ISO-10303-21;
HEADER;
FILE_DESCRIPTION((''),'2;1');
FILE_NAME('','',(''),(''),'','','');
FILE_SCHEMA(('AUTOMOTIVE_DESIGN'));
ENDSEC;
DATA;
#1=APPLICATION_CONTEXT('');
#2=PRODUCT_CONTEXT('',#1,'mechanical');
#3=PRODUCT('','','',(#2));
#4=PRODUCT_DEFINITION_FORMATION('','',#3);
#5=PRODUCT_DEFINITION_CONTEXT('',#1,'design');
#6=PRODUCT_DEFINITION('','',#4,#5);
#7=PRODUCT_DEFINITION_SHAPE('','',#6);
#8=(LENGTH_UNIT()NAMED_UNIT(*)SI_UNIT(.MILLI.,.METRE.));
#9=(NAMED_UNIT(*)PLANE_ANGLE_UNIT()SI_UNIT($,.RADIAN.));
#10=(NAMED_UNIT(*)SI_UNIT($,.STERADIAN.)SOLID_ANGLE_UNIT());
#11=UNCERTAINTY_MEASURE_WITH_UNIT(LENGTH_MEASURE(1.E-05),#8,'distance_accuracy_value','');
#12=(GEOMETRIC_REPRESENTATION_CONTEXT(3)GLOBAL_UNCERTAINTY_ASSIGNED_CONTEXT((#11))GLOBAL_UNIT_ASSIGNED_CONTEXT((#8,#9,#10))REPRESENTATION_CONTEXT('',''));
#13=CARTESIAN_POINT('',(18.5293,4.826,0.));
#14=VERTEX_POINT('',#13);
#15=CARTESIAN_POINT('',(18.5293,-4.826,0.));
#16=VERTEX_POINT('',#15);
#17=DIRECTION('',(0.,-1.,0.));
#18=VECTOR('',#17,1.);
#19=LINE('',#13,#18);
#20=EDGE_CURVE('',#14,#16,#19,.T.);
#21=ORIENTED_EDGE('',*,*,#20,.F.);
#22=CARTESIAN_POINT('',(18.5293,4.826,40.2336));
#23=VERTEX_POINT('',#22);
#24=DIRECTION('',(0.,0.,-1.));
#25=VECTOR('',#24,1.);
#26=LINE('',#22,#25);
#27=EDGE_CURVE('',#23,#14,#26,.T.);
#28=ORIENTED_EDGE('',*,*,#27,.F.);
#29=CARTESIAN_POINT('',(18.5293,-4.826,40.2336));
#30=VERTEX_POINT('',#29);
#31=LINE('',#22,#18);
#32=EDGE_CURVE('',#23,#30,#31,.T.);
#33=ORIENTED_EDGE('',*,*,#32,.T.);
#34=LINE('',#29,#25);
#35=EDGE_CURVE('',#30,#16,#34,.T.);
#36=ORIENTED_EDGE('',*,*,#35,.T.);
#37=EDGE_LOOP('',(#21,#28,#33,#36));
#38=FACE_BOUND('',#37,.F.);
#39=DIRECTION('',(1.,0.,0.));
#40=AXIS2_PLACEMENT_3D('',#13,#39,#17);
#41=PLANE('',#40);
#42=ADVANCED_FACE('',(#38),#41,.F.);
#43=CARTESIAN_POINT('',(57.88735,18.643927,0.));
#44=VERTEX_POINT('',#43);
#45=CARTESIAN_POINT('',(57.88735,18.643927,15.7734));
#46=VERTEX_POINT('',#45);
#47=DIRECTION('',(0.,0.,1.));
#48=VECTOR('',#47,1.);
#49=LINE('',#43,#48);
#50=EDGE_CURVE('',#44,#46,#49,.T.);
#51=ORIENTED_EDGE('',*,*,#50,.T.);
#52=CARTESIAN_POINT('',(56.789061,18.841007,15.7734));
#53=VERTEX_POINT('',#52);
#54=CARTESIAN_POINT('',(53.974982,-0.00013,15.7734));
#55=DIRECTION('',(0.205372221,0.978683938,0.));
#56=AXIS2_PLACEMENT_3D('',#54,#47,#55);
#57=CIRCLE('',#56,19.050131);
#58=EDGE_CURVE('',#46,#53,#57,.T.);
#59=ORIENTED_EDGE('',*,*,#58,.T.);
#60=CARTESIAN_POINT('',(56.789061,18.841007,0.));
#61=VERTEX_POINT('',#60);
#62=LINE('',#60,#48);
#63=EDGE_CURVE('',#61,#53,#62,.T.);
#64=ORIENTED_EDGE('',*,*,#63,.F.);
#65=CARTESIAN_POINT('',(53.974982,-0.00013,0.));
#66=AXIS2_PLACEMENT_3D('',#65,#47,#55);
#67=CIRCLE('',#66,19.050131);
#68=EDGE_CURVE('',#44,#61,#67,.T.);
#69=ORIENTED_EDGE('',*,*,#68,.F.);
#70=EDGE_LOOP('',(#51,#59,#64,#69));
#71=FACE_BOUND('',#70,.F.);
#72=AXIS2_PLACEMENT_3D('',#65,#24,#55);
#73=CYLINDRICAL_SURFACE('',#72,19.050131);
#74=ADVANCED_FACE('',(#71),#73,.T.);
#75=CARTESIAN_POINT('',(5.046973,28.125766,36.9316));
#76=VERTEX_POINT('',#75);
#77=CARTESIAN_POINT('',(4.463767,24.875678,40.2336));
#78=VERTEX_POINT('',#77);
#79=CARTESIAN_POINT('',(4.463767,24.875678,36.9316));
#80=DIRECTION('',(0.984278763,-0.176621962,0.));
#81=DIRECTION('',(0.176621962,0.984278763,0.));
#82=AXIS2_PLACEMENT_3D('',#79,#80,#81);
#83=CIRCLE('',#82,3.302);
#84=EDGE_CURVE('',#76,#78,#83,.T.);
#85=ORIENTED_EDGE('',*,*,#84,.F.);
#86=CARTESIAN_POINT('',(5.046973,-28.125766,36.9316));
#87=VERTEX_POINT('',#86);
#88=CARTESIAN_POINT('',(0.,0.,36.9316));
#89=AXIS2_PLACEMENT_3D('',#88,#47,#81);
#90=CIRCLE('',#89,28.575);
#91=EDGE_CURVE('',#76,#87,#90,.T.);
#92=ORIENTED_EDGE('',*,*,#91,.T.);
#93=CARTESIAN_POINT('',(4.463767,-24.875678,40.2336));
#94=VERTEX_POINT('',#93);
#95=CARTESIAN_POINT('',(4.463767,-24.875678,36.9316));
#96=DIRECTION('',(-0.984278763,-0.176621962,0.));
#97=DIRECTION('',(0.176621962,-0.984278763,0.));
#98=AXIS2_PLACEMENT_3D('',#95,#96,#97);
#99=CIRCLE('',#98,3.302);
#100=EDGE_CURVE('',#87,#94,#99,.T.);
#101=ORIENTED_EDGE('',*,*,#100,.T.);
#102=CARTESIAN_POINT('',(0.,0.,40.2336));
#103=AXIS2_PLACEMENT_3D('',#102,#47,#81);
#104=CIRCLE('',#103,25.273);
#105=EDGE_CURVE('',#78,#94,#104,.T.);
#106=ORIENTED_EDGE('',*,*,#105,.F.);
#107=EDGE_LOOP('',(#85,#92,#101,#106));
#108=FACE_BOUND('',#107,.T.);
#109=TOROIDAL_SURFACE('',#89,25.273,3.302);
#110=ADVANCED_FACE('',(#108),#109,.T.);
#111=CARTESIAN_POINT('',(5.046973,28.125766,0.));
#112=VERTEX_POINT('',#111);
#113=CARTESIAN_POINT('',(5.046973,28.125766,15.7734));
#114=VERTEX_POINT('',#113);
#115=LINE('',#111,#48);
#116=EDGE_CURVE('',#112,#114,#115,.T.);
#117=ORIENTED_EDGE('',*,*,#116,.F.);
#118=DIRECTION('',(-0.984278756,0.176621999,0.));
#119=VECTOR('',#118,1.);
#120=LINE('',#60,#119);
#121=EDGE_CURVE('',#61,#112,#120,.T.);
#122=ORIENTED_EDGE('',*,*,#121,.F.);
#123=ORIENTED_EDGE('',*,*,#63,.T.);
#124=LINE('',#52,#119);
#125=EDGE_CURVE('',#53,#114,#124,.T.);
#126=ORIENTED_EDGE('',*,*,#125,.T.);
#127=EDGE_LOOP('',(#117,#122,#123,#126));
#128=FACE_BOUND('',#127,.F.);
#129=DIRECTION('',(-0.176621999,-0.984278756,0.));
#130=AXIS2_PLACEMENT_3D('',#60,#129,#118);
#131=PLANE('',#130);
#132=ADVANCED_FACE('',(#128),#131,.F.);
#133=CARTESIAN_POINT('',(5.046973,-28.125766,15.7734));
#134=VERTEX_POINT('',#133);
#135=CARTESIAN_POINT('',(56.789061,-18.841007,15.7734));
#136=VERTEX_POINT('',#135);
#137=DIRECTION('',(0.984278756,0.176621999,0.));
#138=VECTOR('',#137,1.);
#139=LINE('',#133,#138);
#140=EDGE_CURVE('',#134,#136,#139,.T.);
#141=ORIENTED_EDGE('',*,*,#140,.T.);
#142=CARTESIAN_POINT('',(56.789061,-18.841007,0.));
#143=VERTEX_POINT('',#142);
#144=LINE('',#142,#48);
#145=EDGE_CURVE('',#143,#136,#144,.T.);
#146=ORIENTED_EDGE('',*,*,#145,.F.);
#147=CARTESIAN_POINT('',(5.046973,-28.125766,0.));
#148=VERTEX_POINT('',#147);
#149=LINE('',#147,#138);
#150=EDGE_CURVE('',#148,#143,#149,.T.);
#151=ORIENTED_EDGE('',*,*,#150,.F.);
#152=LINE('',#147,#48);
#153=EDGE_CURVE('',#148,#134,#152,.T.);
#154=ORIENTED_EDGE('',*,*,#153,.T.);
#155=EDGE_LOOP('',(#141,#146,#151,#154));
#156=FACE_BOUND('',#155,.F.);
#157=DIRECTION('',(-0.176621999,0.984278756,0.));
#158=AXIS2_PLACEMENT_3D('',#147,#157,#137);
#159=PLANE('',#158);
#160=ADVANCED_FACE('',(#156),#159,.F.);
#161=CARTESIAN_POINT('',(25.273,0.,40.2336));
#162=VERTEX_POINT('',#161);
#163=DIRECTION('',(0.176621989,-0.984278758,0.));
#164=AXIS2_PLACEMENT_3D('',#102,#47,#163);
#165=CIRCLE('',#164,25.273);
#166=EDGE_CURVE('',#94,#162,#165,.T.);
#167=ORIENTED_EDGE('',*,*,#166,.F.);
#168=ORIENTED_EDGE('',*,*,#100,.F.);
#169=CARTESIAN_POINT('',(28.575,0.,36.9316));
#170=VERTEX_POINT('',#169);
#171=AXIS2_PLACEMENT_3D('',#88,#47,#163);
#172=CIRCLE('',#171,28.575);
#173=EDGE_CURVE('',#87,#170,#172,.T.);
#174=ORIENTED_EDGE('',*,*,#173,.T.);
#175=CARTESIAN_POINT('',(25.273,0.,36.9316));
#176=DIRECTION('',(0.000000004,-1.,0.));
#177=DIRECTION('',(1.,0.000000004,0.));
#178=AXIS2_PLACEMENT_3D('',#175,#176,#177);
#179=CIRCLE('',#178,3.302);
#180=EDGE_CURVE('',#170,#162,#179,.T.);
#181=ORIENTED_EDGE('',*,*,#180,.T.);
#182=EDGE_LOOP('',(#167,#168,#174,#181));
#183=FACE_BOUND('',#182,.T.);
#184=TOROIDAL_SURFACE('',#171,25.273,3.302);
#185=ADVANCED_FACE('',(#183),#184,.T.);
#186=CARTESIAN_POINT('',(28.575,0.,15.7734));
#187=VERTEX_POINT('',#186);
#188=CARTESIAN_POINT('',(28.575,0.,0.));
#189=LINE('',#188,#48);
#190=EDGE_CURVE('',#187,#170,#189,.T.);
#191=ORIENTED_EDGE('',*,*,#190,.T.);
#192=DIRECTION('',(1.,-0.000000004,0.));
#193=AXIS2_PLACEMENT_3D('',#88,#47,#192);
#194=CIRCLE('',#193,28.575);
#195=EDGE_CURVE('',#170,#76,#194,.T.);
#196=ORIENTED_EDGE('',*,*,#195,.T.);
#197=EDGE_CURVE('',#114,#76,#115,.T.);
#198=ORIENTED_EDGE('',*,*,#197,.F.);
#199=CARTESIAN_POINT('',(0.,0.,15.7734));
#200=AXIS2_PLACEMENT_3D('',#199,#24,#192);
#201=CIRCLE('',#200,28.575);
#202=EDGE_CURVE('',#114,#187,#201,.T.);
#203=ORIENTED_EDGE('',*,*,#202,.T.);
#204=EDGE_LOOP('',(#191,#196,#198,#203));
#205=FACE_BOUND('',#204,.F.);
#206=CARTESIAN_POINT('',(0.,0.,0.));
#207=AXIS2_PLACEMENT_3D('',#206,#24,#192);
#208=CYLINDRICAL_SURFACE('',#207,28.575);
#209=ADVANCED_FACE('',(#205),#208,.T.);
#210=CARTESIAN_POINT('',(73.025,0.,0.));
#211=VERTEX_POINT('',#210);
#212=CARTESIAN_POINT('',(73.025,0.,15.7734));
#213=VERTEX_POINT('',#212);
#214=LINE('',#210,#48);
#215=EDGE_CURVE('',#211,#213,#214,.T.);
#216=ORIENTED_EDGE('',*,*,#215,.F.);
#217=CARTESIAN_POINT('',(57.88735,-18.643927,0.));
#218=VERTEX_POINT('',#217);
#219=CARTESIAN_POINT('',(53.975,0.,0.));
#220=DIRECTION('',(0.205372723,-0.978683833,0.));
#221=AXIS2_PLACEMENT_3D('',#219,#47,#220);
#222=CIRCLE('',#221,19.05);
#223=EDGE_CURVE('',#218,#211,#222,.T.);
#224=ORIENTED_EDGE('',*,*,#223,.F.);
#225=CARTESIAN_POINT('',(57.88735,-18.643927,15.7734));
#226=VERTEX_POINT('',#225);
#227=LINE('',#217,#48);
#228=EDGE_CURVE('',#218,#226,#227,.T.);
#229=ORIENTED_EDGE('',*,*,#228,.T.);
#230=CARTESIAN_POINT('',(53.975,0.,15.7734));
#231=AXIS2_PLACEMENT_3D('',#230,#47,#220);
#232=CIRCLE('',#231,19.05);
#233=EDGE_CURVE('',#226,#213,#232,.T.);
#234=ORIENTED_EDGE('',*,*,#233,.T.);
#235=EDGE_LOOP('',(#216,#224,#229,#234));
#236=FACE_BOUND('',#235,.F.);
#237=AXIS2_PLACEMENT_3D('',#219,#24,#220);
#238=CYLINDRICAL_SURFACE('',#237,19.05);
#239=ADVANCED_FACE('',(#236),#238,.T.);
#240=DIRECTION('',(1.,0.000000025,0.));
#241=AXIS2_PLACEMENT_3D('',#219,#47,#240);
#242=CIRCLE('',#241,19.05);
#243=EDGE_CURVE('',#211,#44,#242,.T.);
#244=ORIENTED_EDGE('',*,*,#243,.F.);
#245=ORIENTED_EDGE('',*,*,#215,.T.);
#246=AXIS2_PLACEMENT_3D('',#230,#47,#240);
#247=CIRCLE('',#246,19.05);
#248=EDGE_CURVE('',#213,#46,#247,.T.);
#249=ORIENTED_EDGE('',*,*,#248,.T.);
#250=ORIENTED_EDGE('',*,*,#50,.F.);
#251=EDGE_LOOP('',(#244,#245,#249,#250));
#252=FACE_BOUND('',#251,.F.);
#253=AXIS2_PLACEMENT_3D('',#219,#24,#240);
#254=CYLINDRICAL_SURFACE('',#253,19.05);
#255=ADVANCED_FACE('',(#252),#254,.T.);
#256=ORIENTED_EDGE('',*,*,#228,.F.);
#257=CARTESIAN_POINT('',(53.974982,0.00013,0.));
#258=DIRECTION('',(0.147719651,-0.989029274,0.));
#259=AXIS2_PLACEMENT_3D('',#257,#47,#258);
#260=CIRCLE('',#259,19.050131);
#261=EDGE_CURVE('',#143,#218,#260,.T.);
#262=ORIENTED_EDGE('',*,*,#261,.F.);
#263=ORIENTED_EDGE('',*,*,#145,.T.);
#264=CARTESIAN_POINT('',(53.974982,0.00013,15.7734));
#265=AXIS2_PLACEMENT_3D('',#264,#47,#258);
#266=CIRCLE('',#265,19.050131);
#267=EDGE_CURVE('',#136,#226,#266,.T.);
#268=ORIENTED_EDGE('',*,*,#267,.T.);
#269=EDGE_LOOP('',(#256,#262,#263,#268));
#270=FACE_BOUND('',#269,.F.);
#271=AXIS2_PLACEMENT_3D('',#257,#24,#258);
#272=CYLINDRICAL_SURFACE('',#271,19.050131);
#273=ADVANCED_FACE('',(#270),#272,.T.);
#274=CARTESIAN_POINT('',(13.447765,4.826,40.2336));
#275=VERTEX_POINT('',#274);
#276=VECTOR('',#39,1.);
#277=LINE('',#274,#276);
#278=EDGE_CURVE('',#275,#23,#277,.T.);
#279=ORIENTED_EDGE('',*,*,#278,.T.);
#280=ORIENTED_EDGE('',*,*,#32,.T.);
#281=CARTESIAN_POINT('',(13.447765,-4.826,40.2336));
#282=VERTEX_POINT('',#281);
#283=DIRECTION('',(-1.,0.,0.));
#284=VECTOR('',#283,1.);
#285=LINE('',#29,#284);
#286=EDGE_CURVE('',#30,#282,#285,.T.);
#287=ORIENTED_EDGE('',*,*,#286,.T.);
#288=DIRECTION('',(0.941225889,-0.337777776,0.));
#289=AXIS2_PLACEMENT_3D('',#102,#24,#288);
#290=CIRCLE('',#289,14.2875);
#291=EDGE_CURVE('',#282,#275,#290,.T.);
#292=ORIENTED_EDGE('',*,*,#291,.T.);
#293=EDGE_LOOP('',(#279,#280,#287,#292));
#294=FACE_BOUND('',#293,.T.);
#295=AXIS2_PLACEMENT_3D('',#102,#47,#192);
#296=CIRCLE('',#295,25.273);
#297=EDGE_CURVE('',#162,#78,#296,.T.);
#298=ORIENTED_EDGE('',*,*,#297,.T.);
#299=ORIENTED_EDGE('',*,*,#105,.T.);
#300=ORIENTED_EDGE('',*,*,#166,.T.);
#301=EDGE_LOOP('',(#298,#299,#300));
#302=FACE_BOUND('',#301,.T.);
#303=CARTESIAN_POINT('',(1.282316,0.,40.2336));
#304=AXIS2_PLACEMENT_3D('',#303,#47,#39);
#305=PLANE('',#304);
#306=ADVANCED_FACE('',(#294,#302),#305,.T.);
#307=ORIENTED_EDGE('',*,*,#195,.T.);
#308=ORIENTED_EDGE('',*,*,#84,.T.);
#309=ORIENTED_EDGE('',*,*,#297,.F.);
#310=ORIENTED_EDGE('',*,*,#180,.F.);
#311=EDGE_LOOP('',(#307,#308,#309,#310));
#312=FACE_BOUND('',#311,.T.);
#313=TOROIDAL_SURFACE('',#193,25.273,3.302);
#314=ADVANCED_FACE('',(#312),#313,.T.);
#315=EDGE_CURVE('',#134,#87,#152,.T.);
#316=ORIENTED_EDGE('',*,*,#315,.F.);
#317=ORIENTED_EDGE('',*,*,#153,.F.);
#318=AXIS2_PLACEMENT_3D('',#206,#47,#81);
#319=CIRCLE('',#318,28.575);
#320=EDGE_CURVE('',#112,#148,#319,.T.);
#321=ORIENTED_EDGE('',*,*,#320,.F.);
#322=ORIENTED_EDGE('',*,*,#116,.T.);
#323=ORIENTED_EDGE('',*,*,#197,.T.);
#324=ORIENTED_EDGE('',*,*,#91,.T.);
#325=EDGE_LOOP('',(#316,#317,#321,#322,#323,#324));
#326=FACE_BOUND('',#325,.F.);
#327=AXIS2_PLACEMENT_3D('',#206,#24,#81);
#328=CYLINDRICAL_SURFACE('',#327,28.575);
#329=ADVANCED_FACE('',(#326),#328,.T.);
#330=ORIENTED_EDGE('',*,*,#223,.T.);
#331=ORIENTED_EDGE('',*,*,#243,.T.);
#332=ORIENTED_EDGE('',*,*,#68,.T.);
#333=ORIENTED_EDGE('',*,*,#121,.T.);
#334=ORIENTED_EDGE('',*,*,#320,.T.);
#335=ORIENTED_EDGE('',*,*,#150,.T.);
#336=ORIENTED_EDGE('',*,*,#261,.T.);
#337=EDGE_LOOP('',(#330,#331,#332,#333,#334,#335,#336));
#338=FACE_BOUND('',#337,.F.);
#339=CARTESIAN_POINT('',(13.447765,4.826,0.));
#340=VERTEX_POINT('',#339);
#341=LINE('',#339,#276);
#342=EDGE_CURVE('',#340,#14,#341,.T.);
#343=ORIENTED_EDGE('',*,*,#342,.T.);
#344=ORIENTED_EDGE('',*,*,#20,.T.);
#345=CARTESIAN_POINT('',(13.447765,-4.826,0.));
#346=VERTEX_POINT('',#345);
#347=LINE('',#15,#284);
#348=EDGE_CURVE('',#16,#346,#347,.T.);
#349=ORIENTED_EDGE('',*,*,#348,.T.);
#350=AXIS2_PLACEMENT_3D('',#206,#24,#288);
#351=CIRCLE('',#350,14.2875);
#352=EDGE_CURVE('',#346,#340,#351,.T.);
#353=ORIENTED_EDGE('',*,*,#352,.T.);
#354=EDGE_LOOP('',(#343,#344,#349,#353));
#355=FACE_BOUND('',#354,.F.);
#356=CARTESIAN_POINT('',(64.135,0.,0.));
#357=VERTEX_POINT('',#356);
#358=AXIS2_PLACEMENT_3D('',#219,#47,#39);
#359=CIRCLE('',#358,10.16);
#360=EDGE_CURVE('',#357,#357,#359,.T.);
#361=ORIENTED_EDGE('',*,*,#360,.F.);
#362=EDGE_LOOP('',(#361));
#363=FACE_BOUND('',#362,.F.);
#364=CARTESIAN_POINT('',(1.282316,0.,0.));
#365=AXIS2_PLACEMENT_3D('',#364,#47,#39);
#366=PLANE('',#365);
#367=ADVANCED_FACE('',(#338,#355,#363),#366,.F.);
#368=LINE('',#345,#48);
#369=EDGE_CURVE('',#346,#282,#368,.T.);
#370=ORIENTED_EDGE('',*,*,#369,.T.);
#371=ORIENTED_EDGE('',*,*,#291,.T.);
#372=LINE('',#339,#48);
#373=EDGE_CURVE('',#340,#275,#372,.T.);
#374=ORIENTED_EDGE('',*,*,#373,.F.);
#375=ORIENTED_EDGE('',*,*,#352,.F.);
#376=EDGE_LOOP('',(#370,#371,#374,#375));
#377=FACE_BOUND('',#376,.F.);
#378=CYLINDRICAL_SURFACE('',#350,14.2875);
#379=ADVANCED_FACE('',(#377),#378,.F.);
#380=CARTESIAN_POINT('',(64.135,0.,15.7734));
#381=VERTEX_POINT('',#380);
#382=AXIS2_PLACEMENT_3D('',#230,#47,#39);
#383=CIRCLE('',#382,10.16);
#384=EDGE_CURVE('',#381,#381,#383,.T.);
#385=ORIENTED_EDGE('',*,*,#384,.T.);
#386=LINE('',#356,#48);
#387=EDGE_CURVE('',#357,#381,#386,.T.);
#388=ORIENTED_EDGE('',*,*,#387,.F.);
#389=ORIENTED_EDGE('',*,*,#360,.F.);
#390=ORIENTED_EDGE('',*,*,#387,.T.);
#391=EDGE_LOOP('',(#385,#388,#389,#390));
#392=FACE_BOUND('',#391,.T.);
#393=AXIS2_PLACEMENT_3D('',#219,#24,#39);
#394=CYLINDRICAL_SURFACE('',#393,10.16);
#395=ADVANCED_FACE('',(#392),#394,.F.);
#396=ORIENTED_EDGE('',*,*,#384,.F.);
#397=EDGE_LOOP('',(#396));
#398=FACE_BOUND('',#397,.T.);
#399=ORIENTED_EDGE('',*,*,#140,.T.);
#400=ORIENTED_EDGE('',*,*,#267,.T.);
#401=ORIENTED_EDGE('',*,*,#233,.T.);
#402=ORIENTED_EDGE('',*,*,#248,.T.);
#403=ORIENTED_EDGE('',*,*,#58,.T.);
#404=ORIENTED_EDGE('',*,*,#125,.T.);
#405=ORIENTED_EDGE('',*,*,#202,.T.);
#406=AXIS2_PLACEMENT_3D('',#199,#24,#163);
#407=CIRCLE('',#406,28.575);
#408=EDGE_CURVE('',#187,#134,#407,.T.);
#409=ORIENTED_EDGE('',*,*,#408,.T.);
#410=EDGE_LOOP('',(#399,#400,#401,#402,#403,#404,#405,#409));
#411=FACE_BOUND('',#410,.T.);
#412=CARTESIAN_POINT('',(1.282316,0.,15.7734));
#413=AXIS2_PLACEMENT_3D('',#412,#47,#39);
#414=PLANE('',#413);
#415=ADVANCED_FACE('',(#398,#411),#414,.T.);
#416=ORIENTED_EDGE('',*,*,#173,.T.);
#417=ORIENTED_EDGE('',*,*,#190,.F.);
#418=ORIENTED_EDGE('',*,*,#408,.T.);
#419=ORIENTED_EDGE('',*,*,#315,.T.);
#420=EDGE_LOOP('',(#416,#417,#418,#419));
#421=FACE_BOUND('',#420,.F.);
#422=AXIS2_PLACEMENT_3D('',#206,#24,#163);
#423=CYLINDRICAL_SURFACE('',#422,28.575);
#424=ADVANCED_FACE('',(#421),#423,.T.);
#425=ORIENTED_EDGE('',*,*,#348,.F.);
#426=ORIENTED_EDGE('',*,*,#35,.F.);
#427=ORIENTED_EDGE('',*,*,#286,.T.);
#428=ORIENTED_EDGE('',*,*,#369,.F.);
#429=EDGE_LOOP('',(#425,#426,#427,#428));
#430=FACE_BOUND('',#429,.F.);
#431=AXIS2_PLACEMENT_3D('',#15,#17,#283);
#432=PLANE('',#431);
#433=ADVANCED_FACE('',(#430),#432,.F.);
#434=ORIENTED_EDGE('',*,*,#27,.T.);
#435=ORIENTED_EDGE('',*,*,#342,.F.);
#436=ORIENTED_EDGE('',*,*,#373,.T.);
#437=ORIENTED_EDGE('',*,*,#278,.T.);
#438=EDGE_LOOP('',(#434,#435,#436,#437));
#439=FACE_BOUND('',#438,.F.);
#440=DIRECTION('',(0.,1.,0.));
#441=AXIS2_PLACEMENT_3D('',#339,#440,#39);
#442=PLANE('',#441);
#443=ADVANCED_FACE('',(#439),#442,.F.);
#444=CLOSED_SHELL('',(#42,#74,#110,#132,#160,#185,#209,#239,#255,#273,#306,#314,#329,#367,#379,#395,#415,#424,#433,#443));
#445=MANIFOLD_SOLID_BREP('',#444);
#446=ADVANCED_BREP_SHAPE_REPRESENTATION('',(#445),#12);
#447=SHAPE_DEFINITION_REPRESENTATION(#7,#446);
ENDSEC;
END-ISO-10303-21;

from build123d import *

# Parameters (mm, degrees)
F0_R     = 10.16
F1_DEPTH = 15.7734
F2_DEPTH = 40.2336
F3_R     = 3.302


with BuildPart() as f1:
    # F0 (on Top) → F1 (new body)
    with BuildSketch(Plane.XY):
        with BuildLine():
            ThreePointArc((5.046973, -28.125766), (21.917435, -18.334576), (28.575, 0))
            ThreePointArc((28.575, 0), (21.917435, 18.334576), (5.046973, 28.125766))
            ThreePointArc((5.046973, 28.125766), (-28.575, 0), (5.046973, -28.125766))
        make_face()
        with BuildLine():
            ThreePointArc((13.447765, -4.826), (-14.2875, 0), (13.447765, 4.826))
            Line((13.447765, 4.826), (18.5293, 4.826))
            Line((18.5293, 4.826), (18.5293, -4.826))
            Line((18.5293, -4.826), (13.447765, -4.826))
        make_face(mode=Mode.SUBTRACT)
        with BuildLine():
            ThreePointArc((5.046973, 28.125766), (21.917435, 18.334576), (28.575, 0))
            ThreePointArc((28.575, 0), (21.917435, -18.334576), (5.046973, -28.125766))
            Line((5.046973, -28.125766), (56.789061, -18.841007))
            ThreePointArc((56.789061, -18.841007), (34.925, 0), (56.789061, 18.841007))
            Line((56.789061, 18.841007), (5.046973, 28.125766))
        make_face()
        with BuildLine():
            Line((57.88735, 18.643927), (56.789061, 18.841007))
            ThreePointArc((56.789061, 18.841007), (34.925, 0), (56.789061, -18.841007))
            Line((56.789061, -18.841007), (57.88735, -18.643927))
            ThreePointArc((57.88735, -18.643927), (68.764063, -12.007752), (73.025, 0))
            ThreePointArc((73.025, 0), (68.764063, 12.007752), (57.88735, 18.643927))
        make_face()
        with Locations((53.975, 0)):
            Circle(F0_R, mode=Mode.SUBTRACT)
        with BuildLine():
            ThreePointArc((57.88735, 18.643927), (57.339649, 18.75051), (56.789061, 18.841007))
            Line((56.789061, 18.841007), (57.88735, 18.643927))
        make_face()
        with BuildLine():
            Line((57.88735, -18.643927), (56.789061, -18.841007))
            ThreePointArc((56.789061, -18.841007), (57.339649, -18.75051), (57.88735, -18.643927))
        make_face()
    extrude(amount=F1_DEPTH)

    # F0 (on Top) → F2 (join)
    with BuildSketch(Plane.XY):
        with BuildLine():
            ThreePointArc((5.046973, -28.125766), (21.917435, -18.334576), (28.575, 0))
            ThreePointArc((28.575, 0), (21.917435, 18.334576), (5.046973, 28.125766))
            ThreePointArc((5.046973, 28.125766), (-28.575, 0), (5.046973, -28.125766))
        make_face()
        with BuildLine():
            ThreePointArc((13.447765, -4.826), (-14.2875, 0), (13.447765, 4.826))
            Line((13.447765, 4.826), (18.5293, 4.826))
            Line((18.5293, 4.826), (18.5293, -4.826))
            Line((18.5293, -4.826), (13.447765, -4.826))
        make_face(mode=Mode.SUBTRACT)
    extrude(amount=F2_DEPTH)

    # F3
    f3_edges = [f1.edges().sort_by_distance(p)[0] for p in [
        (-5.046973, 28.125766, 40.2336),
    ]]
    fillet(f3_edges, radius=F3_R)


solid = f1.part
